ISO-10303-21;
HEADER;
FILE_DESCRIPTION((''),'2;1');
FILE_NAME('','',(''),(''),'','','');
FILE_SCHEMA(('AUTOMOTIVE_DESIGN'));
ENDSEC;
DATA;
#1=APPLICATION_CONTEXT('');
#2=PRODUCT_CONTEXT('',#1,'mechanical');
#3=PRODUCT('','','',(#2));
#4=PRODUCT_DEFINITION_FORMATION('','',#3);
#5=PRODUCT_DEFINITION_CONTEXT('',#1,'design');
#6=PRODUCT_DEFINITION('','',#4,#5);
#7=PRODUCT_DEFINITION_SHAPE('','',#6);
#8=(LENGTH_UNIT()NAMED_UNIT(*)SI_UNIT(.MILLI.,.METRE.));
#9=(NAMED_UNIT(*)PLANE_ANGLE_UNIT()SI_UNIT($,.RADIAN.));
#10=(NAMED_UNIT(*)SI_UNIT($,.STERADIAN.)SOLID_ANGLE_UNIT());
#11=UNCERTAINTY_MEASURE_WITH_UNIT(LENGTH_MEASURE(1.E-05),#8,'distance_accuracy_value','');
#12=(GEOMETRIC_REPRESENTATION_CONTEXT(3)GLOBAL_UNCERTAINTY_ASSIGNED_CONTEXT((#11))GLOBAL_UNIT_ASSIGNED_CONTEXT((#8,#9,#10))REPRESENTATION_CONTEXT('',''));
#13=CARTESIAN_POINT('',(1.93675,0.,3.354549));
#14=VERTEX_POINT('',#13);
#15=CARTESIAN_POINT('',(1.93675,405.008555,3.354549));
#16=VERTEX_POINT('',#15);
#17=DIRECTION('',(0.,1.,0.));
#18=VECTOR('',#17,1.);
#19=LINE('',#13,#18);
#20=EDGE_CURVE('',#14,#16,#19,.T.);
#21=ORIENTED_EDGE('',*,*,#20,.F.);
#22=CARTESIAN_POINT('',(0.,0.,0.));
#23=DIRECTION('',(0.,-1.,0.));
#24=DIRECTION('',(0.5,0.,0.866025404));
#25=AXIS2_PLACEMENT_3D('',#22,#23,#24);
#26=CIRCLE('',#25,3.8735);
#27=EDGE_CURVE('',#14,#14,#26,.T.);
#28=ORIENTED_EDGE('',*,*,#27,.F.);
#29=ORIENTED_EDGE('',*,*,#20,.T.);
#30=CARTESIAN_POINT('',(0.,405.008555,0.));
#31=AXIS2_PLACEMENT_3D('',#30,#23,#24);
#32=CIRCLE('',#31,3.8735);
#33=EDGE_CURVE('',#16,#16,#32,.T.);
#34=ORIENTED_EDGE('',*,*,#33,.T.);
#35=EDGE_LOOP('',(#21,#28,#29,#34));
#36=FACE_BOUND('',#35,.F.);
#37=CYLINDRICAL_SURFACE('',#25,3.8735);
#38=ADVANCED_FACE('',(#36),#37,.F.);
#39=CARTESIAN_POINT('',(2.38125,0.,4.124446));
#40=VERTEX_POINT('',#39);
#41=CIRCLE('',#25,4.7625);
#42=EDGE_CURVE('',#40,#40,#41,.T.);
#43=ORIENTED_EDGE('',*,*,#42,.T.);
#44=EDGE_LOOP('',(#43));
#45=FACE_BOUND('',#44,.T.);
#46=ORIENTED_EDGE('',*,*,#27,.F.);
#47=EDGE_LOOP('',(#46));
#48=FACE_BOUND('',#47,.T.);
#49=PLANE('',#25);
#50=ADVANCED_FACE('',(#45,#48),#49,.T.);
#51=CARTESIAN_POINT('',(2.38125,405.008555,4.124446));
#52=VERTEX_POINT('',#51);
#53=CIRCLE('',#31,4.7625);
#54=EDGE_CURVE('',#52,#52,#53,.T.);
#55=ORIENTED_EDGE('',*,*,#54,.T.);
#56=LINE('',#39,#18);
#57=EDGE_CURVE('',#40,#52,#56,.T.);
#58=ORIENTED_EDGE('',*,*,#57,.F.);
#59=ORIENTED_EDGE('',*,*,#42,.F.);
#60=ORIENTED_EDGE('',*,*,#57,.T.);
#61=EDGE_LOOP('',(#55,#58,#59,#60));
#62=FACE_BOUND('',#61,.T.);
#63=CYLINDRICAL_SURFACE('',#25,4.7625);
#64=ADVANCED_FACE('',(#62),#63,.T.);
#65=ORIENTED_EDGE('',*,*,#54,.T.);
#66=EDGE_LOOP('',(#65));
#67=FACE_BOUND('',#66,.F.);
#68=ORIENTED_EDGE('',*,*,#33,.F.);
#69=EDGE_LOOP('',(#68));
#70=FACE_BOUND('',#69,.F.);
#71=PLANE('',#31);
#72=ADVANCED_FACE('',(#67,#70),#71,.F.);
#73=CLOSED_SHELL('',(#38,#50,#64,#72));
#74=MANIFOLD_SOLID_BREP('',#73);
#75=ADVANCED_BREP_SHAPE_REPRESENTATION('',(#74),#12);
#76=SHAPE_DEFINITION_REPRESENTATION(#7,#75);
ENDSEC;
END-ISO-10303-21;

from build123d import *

# Parameters (mm, degrees)
F0_R     = 4.7625
F0_R_2   = 3.8735
F1_DEPTH = 405.008555
F2_ANGLE = 30
F3_ANGLE = 30


with BuildPart() as f1:
    # F0 (on Front) → F1 (new body)
    with BuildSketch(Plane.XZ):
        Circle(F0_R)
        Circle(F0_R_2, mode=Mode.SUBTRACT)
    extrude(amount=-F1_DEPTH)


with BuildPart() as f1_1:
    # F2: moved
    add(f1.part.rotate(Axis((0, 0, 0), (0, -1, 0)), F2_ANGLE))


with BuildPart() as f1_2:
    # F3: moved
    add(f1_1.part.rotate(Axis((0, 0, 0), (0, -1, 0)), F3_ANGLE))


solid = f1_2.part
